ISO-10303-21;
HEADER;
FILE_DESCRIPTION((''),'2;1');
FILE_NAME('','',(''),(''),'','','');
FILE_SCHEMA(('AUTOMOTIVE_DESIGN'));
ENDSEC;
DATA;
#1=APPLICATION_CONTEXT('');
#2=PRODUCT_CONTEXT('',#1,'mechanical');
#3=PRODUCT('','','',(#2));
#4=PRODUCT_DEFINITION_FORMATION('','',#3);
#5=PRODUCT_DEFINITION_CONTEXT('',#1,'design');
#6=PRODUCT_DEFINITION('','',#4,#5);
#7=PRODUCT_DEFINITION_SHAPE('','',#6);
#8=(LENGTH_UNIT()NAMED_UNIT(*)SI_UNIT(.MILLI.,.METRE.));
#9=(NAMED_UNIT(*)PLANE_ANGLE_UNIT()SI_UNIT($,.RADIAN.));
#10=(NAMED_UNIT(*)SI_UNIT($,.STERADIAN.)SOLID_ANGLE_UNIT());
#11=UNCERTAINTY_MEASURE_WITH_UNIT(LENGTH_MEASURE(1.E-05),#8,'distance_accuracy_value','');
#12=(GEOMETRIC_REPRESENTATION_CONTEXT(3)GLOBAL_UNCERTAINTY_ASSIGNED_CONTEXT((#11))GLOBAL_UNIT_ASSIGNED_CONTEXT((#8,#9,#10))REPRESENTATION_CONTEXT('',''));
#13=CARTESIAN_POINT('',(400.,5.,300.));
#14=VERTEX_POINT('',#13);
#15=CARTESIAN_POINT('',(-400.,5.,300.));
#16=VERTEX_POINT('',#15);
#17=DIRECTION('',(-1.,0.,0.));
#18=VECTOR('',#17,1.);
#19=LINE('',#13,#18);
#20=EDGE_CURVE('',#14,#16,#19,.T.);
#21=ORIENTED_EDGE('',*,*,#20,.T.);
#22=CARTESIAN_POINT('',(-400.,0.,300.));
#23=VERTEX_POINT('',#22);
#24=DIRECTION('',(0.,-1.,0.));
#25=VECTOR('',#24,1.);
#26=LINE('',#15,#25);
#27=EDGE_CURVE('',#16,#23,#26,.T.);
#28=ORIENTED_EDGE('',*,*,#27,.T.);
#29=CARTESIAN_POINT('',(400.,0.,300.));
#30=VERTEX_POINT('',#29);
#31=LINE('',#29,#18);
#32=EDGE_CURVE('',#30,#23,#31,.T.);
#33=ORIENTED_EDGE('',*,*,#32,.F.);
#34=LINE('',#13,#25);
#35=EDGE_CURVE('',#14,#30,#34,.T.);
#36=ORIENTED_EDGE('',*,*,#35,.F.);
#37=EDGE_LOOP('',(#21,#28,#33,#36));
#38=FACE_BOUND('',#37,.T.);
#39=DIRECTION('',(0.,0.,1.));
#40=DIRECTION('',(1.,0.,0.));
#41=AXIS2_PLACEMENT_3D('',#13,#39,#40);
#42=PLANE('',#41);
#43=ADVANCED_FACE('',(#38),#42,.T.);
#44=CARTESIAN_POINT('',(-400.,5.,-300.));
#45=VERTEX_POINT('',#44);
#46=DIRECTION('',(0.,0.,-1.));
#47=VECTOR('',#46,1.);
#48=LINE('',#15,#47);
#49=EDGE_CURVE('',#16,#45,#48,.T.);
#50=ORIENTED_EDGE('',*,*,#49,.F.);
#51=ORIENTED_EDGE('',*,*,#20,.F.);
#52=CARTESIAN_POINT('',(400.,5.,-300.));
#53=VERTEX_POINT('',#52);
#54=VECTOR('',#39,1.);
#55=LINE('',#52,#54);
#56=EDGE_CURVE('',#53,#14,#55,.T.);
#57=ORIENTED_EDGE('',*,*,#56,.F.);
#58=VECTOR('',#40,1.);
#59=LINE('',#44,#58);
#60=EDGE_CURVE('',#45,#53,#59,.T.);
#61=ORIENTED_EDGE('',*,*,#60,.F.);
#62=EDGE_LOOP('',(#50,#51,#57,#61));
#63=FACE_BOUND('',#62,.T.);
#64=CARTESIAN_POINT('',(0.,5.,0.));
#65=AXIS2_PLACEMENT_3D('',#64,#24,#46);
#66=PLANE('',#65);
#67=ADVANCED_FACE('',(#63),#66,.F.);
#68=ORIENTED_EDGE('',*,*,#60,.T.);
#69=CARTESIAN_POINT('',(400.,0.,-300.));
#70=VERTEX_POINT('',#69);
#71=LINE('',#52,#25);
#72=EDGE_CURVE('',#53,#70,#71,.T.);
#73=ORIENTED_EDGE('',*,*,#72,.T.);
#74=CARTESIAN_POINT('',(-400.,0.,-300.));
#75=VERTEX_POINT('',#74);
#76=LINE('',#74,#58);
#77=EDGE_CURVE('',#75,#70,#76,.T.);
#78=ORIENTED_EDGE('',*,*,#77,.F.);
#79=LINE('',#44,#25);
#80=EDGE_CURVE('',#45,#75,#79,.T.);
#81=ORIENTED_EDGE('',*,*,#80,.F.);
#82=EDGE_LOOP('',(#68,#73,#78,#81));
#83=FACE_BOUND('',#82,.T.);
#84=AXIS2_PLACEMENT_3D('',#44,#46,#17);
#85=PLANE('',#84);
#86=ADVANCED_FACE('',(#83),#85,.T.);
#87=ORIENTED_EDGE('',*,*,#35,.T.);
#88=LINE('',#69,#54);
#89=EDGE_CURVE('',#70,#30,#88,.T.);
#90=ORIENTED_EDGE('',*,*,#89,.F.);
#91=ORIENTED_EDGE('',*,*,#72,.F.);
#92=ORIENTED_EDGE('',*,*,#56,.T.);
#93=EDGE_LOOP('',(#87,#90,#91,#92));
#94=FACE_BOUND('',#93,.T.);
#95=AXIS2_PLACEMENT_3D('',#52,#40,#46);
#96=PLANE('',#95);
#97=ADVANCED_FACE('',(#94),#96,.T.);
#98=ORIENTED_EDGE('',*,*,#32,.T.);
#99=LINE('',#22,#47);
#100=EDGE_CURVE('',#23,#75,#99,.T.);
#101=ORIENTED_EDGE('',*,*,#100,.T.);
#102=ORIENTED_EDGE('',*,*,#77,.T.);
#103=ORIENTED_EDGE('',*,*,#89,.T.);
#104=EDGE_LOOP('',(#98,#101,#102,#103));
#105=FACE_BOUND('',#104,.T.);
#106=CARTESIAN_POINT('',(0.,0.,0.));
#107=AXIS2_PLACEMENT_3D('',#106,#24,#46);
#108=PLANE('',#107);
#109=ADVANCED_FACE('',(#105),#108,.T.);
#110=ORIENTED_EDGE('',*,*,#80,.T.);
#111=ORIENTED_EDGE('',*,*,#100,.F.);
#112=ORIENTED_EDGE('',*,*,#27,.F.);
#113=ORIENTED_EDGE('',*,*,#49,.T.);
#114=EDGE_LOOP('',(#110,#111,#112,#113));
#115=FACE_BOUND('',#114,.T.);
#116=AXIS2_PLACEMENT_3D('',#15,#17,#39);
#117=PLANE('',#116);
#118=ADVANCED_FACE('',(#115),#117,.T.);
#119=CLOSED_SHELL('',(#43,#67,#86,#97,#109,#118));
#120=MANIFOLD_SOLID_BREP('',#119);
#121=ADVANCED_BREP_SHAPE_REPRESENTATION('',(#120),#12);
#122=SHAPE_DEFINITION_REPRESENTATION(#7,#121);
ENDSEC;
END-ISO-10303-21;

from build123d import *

# Parameters (mm, degrees)
SKETCH1_W           = 800
SKETCH1_H           = 600
BOSS_EXTRUDE1_DEPTH = 5


with BuildPart() as part:
    # Sketch1 → Boss-Extrude1 (new body)
    with BuildSketch(Plane(origin=(0, 0, 0), x_dir=(1, 0, 0), z_dir=(0, 1, 0))):
        Rectangle(SKETCH1_W, SKETCH1_H)
    extrude(amount=BOSS_EXTRUDE1_DEPTH)


solid = part.part
